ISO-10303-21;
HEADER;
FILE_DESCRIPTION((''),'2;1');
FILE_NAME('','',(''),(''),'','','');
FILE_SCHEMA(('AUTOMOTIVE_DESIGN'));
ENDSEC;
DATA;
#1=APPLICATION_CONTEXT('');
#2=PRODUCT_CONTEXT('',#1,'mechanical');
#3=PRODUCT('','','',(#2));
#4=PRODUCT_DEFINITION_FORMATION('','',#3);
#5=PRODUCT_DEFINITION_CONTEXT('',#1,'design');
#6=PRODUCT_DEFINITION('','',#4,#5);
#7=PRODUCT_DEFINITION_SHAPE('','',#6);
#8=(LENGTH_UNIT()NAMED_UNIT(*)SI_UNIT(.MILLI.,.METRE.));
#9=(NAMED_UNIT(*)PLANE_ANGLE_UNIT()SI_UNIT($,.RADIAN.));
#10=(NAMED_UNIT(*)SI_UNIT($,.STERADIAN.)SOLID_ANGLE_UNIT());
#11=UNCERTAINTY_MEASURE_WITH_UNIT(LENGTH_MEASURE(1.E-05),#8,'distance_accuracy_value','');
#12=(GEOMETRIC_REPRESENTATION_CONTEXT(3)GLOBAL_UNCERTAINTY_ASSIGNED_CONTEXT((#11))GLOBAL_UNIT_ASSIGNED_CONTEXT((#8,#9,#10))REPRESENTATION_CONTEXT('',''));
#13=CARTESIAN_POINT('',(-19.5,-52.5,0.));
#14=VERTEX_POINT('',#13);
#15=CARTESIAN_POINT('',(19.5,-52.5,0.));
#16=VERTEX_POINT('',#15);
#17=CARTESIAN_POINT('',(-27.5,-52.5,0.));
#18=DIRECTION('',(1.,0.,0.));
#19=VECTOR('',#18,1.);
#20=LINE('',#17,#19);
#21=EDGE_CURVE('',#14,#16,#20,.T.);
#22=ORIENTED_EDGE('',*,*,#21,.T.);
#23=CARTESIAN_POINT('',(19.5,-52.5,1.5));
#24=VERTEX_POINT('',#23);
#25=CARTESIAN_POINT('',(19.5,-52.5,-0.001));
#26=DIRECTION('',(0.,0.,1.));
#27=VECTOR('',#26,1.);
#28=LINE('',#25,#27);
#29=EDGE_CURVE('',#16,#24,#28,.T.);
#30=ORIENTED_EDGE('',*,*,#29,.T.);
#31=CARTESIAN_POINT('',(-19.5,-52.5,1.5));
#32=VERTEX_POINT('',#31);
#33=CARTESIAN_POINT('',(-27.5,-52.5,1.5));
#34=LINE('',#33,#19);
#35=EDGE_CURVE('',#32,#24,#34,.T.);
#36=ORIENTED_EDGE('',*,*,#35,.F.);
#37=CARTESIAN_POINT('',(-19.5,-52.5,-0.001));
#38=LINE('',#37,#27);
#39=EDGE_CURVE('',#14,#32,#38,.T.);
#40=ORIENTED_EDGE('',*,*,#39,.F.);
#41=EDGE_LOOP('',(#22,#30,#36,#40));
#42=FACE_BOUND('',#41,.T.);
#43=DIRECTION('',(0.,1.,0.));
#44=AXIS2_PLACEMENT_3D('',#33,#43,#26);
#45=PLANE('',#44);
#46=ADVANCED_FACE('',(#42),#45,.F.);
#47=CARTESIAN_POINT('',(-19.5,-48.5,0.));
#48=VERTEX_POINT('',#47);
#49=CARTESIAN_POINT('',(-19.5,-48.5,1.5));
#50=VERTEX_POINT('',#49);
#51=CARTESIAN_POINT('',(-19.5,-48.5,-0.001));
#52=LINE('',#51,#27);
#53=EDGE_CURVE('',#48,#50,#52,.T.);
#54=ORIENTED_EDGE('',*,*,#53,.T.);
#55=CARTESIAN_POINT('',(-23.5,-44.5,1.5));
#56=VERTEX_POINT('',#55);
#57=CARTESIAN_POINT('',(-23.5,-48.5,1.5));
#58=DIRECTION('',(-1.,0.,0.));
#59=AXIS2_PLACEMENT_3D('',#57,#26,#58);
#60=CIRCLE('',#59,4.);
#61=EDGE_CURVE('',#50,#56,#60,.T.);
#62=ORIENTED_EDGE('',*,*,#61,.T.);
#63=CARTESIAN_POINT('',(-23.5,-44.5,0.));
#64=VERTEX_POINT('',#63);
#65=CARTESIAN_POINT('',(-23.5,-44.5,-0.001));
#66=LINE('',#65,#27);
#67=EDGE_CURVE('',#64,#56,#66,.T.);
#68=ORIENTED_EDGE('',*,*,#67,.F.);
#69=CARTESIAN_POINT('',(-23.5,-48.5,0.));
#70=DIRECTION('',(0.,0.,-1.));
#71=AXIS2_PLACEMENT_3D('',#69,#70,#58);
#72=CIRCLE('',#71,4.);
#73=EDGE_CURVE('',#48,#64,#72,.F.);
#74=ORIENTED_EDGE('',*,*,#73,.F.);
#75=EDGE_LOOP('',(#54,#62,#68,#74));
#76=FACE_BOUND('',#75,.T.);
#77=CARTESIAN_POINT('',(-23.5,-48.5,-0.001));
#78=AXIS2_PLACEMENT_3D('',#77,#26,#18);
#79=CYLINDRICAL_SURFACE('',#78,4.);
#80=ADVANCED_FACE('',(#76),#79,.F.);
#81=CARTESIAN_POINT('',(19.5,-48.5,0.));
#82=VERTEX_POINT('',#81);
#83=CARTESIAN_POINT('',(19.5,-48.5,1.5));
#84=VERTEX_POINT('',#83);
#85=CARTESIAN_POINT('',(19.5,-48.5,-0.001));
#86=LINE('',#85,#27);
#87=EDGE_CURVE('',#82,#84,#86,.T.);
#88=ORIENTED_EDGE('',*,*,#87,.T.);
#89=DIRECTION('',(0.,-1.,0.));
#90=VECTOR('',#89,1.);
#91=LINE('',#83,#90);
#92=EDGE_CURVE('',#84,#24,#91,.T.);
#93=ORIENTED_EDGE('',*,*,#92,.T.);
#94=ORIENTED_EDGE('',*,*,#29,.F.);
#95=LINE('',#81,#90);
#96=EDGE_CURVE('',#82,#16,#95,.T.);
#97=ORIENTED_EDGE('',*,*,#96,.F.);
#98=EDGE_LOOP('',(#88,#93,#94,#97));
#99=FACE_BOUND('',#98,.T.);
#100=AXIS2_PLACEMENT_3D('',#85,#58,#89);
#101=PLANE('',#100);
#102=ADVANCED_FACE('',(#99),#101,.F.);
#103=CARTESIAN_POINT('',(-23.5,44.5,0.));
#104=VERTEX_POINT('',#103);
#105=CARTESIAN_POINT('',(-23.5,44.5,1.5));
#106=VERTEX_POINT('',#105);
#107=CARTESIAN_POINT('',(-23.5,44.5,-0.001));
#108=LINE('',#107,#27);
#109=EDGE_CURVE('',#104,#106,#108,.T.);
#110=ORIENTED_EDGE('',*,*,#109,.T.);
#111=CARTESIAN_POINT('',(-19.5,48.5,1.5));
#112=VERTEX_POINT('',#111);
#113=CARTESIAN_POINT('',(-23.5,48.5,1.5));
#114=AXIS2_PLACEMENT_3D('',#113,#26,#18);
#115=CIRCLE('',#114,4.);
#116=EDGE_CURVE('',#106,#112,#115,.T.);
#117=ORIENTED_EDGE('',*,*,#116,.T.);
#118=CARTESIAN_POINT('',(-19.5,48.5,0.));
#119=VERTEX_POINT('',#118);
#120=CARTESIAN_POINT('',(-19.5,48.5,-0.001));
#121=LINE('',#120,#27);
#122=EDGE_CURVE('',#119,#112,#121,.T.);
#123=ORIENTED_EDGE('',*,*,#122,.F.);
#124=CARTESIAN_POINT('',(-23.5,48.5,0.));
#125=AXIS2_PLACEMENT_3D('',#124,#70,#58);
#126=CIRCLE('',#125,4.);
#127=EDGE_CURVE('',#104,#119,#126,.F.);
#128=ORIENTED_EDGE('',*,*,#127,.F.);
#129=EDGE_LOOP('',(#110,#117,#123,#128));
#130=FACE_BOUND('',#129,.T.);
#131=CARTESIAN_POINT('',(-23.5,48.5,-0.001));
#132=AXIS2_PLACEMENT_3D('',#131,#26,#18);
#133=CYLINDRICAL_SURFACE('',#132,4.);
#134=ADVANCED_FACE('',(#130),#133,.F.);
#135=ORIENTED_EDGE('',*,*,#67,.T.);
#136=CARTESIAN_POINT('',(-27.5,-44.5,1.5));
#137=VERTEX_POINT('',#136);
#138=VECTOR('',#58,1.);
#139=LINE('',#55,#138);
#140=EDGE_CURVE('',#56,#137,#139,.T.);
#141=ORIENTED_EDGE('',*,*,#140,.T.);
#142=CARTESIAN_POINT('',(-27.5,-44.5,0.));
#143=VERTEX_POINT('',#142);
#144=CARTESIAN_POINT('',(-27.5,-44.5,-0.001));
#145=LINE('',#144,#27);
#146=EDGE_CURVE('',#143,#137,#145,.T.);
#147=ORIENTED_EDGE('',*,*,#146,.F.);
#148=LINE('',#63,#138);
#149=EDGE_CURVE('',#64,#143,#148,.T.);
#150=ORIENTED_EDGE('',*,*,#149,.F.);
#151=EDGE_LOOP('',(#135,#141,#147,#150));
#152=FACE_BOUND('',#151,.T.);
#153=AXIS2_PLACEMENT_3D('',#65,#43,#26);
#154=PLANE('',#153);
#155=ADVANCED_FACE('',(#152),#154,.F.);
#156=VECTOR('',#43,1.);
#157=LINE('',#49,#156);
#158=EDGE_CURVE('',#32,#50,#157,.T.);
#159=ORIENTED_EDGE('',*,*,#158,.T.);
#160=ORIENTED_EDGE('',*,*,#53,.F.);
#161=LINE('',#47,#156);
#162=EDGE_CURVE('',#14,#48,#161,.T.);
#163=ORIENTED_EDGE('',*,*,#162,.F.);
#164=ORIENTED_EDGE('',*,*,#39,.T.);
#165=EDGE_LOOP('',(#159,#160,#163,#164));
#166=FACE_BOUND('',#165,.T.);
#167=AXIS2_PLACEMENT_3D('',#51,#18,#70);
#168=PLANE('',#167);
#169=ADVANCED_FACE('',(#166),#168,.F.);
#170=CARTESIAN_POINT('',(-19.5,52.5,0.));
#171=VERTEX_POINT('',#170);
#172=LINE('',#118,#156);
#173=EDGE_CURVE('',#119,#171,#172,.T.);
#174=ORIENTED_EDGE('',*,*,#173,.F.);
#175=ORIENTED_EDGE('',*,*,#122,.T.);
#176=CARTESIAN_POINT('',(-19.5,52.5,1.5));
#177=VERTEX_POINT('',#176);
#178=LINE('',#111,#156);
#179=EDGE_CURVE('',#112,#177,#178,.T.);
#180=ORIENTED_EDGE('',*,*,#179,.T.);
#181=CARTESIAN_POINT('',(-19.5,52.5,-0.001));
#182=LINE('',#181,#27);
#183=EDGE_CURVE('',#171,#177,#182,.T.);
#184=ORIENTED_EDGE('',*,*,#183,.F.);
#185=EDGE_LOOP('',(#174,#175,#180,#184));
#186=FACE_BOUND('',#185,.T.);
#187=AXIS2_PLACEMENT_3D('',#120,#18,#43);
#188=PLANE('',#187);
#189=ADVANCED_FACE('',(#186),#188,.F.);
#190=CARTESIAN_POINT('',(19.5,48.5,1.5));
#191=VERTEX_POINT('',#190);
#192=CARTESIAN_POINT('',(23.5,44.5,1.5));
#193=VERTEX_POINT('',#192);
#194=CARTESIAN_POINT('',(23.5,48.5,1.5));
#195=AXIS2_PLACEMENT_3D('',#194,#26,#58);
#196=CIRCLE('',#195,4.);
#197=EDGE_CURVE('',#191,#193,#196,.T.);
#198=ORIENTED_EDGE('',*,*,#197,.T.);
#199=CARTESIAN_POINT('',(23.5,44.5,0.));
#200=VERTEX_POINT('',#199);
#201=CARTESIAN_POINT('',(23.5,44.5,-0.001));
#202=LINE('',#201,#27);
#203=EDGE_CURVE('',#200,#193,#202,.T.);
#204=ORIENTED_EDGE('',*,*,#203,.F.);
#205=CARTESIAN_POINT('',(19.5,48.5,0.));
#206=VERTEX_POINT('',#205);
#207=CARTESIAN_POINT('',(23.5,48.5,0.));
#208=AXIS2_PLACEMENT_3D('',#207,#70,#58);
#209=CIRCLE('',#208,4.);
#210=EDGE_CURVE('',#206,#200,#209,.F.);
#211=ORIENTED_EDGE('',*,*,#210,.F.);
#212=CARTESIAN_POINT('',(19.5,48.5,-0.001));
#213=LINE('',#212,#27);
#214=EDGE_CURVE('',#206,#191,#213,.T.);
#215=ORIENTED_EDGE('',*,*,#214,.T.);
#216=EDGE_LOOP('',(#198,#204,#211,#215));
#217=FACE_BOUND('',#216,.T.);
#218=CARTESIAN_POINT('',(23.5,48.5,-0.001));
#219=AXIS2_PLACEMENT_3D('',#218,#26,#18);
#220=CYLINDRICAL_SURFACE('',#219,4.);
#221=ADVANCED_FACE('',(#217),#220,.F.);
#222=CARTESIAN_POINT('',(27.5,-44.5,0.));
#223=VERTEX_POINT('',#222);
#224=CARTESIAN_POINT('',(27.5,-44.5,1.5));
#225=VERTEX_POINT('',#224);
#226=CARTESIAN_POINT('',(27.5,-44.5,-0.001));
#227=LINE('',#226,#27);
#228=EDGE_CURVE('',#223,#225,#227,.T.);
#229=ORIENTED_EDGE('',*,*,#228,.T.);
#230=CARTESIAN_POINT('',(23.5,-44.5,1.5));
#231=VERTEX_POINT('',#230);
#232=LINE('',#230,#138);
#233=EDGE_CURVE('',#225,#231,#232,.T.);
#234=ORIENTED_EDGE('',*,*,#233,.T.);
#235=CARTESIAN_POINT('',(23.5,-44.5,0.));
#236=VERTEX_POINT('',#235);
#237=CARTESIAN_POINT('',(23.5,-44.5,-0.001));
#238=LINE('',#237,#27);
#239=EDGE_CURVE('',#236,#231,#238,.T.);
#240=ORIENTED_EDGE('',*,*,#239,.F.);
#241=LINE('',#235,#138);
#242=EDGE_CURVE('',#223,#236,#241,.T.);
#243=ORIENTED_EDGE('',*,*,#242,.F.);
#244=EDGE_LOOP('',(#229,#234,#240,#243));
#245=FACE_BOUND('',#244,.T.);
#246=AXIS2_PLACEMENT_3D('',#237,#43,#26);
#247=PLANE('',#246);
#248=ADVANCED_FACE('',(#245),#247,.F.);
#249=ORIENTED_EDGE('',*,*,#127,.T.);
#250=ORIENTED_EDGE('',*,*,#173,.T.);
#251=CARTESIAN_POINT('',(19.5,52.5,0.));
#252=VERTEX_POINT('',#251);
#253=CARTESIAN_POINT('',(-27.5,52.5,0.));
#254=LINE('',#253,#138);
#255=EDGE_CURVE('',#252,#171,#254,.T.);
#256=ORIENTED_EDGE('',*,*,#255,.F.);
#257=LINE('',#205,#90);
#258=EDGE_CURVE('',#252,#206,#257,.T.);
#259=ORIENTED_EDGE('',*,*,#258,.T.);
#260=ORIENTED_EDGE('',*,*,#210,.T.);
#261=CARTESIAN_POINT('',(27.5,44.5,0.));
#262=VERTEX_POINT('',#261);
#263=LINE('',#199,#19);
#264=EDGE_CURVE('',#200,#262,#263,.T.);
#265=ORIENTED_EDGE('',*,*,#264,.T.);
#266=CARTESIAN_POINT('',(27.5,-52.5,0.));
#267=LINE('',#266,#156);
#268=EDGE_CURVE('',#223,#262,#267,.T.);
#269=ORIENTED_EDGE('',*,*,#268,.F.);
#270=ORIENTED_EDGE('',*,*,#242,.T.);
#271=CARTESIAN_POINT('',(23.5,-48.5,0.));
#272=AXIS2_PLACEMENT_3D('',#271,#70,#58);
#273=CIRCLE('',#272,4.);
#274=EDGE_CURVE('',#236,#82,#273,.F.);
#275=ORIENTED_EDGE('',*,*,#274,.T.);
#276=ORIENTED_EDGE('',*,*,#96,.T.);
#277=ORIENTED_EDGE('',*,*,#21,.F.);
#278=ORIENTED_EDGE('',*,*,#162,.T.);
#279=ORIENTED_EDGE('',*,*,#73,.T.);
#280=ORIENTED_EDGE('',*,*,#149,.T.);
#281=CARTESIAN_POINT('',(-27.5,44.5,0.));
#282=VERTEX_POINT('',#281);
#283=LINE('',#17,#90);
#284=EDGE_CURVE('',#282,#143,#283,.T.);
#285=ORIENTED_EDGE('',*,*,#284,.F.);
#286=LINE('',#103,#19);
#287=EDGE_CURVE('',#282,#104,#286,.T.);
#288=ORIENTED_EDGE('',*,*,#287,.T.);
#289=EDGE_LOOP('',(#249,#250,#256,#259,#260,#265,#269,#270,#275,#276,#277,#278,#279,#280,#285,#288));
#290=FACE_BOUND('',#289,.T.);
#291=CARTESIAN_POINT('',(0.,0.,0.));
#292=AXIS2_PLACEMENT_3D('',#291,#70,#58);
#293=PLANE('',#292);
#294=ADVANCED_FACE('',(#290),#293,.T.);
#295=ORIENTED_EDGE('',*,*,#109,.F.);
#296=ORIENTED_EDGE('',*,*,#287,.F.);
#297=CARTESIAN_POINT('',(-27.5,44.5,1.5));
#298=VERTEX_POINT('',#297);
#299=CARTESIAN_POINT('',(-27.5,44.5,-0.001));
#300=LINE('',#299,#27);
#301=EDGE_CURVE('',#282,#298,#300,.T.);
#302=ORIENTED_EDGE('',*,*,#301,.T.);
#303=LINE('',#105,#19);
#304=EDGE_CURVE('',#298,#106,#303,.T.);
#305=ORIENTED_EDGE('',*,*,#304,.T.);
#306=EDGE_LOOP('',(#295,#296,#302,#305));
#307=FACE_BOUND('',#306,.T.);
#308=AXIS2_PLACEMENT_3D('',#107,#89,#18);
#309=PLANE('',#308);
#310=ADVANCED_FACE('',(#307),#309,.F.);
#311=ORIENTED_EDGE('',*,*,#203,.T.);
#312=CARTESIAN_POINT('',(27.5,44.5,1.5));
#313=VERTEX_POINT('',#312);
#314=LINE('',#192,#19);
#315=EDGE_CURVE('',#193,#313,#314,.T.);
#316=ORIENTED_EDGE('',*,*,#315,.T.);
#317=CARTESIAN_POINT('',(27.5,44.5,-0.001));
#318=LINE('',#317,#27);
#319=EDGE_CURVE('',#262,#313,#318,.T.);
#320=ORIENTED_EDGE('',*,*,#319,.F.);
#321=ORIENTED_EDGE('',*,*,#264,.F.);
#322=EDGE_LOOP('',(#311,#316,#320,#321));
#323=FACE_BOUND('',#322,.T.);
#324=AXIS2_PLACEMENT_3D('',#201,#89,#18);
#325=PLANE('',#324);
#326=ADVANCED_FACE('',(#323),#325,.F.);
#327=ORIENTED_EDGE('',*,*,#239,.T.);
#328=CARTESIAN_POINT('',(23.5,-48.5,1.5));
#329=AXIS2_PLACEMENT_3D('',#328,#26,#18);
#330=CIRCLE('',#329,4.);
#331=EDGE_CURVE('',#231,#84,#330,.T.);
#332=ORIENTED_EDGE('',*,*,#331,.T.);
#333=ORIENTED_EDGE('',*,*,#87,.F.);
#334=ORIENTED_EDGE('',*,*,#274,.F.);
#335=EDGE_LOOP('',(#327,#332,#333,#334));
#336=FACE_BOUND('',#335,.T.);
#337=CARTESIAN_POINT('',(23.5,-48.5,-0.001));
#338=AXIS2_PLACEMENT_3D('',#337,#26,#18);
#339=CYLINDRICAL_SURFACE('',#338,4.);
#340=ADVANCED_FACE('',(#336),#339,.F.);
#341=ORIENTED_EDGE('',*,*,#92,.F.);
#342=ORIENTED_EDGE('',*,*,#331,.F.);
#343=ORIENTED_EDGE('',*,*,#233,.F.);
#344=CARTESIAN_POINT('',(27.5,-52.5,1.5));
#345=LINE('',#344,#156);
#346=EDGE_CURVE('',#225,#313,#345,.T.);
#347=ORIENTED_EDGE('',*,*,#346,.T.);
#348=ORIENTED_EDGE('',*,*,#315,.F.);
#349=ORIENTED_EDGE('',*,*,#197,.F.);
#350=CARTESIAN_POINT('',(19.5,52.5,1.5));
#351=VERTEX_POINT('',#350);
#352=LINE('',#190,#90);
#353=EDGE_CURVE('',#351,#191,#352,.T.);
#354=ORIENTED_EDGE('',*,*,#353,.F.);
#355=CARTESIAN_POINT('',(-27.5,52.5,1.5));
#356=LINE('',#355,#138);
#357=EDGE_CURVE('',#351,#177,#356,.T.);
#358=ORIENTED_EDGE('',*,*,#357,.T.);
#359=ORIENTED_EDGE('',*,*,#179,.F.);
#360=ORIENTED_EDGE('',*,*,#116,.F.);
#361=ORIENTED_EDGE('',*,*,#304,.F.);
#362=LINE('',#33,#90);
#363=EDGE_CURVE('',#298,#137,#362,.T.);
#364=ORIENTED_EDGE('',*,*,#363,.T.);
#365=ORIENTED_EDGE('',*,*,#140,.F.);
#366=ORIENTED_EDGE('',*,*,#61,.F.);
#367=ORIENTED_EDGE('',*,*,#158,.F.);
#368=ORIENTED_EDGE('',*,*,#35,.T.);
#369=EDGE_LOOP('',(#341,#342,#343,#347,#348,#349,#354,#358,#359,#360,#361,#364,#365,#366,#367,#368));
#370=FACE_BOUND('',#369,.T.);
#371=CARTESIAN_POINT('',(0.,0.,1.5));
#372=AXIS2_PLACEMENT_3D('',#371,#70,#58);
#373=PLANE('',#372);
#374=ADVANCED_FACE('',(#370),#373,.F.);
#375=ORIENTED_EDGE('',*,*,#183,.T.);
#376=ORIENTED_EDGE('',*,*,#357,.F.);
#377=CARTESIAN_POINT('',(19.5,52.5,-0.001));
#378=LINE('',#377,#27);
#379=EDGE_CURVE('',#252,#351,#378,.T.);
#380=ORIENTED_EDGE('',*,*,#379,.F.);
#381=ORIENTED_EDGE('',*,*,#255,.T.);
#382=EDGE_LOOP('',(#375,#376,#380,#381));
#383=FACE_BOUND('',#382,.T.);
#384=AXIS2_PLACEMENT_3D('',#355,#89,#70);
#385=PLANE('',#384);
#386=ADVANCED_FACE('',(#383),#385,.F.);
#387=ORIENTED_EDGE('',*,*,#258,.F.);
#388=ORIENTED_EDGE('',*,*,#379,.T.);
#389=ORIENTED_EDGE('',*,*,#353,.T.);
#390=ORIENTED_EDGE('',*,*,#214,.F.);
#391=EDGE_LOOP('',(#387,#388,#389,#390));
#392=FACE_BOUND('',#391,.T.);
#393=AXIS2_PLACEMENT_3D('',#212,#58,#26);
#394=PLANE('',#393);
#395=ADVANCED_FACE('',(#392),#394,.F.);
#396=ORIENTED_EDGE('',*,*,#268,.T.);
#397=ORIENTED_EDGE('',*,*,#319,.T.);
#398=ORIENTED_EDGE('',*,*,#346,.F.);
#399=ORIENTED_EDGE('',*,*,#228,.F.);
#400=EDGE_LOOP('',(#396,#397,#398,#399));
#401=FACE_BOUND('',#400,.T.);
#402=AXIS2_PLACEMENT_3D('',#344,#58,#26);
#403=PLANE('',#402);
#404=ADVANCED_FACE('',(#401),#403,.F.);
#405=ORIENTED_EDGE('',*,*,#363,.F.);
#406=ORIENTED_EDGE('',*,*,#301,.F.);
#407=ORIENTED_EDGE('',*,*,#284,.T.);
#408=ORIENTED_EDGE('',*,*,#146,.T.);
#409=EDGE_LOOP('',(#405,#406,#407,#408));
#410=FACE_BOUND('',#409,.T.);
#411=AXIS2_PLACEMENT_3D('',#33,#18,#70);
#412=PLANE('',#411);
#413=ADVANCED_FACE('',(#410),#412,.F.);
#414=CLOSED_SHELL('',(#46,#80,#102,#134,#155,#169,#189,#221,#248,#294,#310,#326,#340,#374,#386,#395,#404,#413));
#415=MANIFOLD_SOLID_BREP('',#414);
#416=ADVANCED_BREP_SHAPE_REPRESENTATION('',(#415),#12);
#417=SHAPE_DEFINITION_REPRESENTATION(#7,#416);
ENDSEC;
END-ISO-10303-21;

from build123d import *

# Parameters (mm, degrees)
CROQUIS1_W              = 55
CROQUIS1_H              = 105
SALIENTE_EXTRUIR1_DEPTH = 1.5
CORTAR_EXTRUIR1_REACH   = 61.285


with BuildPart() as part:
    # Croquis1 → Saliente-Extruir1 (new body)
    with BuildSketch(Plane.XY):
        Rectangle(CROQUIS1_W, CROQUIS1_H)
    extrude(amount=SALIENTE_EXTRUIR1_DEPTH)

    # Croquis2 → Cortar-Extruir1 (cut, up to next)
    with BuildSketch(Plane.XY.offset(1.5), mode=Mode.PRIVATE) as cortar_extruir1_sk1:
        with BuildLine():
            Line((-19.5, -48.5), (-19.5, -52.5))
            Line((-19.5, -52.5), (-27.5, -52.5))
            Line((-27.5, -52.5), (-27.5, -44.5))
            Line((-27.5, -44.5), (-23.5, -44.5))
            ThreePointArc((-23.5, -44.5), (-20.671572875, -45.671572875), (-19.5, -48.5))
        make_face()
    cortar_extruir1_tool1 = extrude(cortar_extruir1_sk1.sketch, amount=-CORTAR_EXTRUIR1_REACH, mode=Mode.PRIVATE) & part.part
    # Croquis2 → Cortar-Extruir1 (cut, up to next)
    with BuildSketch(Plane.XY.offset(1.5), mode=Mode.PRIVATE) as cortar_extruir1_sk2:
        with BuildLine():
            Line((19.5, -48.5), (19.5, -52.5))
            Line((19.5, -52.5), (27.5, -52.5))
            Line((27.5, -52.5), (27.5, -44.5))
            Line((27.5, -44.5), (23.5, -44.5))
            ThreePointArc((23.5, -44.5), (20.671572875, -45.671572875), (19.5, -48.5))
        make_face()
    cortar_extruir1_tool2 = extrude(cortar_extruir1_sk2.sketch, amount=-CORTAR_EXTRUIR1_REACH, mode=Mode.PRIVATE) & part.part
    # Croquis2 → Cortar-Extruir1 (cut, up to next)
    with BuildSketch(Plane.XY.offset(1.5), mode=Mode.PRIVATE) as cortar_extruir1_sk3:
        with BuildLine():
            Line((19.5, 48.5), (19.5, 52.5))
            Line((19.5, 52.5), (27.5, 52.5))
            Line((27.5, 52.5), (27.5, 44.5))
            Line((27.5, 44.5), (23.5, 44.5))
            ThreePointArc((23.5, 44.5), (20.671572875, 45.671572875), (19.5, 48.5))
        make_face()
    cortar_extruir1_tool3 = extrude(cortar_extruir1_sk3.sketch, amount=-CORTAR_EXTRUIR1_REACH, mode=Mode.PRIVATE) & part.part
    # Croquis2 → Cortar-Extruir1 (cut, up to next)
    with BuildSketch(Plane.XY.offset(1.5), mode=Mode.PRIVATE) as cortar_extruir1_sk4:
        with BuildLine():
            Line((-19.5, 48.5), (-19.5, 52.5))
            Line((-19.5, 52.5), (-27.5, 52.5))
            Line((-27.5, 52.5), (-27.5, 44.5))
            Line((-27.5, 44.5), (-23.5, 44.5))
            ThreePointArc((-23.5, 44.5), (-20.671572875, 45.671572875), (-19.5, 48.5))
        make_face()
    cortar_extruir1_tool4 = extrude(cortar_extruir1_sk4.sketch, amount=-CORTAR_EXTRUIR1_REACH, mode=Mode.PRIVATE) & part.part
    add(cortar_extruir1_tool1.solids().sort_by_distance((-23.676115, -48.676115, 1.5))[0], mode=Mode.SUBTRACT)
    add(cortar_extruir1_tool2.solids().sort_by_distance((23.676115, -48.676115, 1.5))[0], mode=Mode.SUBTRACT)
    add(cortar_extruir1_tool3.solids().sort_by_distance((23.676115, 48.676115, 1.5))[0], mode=Mode.SUBTRACT)
    add(cortar_extruir1_tool4.solids().sort_by_distance((-23.676115, 48.676115, 1.5))[0], mode=Mode.SUBTRACT)


solid = part.part
